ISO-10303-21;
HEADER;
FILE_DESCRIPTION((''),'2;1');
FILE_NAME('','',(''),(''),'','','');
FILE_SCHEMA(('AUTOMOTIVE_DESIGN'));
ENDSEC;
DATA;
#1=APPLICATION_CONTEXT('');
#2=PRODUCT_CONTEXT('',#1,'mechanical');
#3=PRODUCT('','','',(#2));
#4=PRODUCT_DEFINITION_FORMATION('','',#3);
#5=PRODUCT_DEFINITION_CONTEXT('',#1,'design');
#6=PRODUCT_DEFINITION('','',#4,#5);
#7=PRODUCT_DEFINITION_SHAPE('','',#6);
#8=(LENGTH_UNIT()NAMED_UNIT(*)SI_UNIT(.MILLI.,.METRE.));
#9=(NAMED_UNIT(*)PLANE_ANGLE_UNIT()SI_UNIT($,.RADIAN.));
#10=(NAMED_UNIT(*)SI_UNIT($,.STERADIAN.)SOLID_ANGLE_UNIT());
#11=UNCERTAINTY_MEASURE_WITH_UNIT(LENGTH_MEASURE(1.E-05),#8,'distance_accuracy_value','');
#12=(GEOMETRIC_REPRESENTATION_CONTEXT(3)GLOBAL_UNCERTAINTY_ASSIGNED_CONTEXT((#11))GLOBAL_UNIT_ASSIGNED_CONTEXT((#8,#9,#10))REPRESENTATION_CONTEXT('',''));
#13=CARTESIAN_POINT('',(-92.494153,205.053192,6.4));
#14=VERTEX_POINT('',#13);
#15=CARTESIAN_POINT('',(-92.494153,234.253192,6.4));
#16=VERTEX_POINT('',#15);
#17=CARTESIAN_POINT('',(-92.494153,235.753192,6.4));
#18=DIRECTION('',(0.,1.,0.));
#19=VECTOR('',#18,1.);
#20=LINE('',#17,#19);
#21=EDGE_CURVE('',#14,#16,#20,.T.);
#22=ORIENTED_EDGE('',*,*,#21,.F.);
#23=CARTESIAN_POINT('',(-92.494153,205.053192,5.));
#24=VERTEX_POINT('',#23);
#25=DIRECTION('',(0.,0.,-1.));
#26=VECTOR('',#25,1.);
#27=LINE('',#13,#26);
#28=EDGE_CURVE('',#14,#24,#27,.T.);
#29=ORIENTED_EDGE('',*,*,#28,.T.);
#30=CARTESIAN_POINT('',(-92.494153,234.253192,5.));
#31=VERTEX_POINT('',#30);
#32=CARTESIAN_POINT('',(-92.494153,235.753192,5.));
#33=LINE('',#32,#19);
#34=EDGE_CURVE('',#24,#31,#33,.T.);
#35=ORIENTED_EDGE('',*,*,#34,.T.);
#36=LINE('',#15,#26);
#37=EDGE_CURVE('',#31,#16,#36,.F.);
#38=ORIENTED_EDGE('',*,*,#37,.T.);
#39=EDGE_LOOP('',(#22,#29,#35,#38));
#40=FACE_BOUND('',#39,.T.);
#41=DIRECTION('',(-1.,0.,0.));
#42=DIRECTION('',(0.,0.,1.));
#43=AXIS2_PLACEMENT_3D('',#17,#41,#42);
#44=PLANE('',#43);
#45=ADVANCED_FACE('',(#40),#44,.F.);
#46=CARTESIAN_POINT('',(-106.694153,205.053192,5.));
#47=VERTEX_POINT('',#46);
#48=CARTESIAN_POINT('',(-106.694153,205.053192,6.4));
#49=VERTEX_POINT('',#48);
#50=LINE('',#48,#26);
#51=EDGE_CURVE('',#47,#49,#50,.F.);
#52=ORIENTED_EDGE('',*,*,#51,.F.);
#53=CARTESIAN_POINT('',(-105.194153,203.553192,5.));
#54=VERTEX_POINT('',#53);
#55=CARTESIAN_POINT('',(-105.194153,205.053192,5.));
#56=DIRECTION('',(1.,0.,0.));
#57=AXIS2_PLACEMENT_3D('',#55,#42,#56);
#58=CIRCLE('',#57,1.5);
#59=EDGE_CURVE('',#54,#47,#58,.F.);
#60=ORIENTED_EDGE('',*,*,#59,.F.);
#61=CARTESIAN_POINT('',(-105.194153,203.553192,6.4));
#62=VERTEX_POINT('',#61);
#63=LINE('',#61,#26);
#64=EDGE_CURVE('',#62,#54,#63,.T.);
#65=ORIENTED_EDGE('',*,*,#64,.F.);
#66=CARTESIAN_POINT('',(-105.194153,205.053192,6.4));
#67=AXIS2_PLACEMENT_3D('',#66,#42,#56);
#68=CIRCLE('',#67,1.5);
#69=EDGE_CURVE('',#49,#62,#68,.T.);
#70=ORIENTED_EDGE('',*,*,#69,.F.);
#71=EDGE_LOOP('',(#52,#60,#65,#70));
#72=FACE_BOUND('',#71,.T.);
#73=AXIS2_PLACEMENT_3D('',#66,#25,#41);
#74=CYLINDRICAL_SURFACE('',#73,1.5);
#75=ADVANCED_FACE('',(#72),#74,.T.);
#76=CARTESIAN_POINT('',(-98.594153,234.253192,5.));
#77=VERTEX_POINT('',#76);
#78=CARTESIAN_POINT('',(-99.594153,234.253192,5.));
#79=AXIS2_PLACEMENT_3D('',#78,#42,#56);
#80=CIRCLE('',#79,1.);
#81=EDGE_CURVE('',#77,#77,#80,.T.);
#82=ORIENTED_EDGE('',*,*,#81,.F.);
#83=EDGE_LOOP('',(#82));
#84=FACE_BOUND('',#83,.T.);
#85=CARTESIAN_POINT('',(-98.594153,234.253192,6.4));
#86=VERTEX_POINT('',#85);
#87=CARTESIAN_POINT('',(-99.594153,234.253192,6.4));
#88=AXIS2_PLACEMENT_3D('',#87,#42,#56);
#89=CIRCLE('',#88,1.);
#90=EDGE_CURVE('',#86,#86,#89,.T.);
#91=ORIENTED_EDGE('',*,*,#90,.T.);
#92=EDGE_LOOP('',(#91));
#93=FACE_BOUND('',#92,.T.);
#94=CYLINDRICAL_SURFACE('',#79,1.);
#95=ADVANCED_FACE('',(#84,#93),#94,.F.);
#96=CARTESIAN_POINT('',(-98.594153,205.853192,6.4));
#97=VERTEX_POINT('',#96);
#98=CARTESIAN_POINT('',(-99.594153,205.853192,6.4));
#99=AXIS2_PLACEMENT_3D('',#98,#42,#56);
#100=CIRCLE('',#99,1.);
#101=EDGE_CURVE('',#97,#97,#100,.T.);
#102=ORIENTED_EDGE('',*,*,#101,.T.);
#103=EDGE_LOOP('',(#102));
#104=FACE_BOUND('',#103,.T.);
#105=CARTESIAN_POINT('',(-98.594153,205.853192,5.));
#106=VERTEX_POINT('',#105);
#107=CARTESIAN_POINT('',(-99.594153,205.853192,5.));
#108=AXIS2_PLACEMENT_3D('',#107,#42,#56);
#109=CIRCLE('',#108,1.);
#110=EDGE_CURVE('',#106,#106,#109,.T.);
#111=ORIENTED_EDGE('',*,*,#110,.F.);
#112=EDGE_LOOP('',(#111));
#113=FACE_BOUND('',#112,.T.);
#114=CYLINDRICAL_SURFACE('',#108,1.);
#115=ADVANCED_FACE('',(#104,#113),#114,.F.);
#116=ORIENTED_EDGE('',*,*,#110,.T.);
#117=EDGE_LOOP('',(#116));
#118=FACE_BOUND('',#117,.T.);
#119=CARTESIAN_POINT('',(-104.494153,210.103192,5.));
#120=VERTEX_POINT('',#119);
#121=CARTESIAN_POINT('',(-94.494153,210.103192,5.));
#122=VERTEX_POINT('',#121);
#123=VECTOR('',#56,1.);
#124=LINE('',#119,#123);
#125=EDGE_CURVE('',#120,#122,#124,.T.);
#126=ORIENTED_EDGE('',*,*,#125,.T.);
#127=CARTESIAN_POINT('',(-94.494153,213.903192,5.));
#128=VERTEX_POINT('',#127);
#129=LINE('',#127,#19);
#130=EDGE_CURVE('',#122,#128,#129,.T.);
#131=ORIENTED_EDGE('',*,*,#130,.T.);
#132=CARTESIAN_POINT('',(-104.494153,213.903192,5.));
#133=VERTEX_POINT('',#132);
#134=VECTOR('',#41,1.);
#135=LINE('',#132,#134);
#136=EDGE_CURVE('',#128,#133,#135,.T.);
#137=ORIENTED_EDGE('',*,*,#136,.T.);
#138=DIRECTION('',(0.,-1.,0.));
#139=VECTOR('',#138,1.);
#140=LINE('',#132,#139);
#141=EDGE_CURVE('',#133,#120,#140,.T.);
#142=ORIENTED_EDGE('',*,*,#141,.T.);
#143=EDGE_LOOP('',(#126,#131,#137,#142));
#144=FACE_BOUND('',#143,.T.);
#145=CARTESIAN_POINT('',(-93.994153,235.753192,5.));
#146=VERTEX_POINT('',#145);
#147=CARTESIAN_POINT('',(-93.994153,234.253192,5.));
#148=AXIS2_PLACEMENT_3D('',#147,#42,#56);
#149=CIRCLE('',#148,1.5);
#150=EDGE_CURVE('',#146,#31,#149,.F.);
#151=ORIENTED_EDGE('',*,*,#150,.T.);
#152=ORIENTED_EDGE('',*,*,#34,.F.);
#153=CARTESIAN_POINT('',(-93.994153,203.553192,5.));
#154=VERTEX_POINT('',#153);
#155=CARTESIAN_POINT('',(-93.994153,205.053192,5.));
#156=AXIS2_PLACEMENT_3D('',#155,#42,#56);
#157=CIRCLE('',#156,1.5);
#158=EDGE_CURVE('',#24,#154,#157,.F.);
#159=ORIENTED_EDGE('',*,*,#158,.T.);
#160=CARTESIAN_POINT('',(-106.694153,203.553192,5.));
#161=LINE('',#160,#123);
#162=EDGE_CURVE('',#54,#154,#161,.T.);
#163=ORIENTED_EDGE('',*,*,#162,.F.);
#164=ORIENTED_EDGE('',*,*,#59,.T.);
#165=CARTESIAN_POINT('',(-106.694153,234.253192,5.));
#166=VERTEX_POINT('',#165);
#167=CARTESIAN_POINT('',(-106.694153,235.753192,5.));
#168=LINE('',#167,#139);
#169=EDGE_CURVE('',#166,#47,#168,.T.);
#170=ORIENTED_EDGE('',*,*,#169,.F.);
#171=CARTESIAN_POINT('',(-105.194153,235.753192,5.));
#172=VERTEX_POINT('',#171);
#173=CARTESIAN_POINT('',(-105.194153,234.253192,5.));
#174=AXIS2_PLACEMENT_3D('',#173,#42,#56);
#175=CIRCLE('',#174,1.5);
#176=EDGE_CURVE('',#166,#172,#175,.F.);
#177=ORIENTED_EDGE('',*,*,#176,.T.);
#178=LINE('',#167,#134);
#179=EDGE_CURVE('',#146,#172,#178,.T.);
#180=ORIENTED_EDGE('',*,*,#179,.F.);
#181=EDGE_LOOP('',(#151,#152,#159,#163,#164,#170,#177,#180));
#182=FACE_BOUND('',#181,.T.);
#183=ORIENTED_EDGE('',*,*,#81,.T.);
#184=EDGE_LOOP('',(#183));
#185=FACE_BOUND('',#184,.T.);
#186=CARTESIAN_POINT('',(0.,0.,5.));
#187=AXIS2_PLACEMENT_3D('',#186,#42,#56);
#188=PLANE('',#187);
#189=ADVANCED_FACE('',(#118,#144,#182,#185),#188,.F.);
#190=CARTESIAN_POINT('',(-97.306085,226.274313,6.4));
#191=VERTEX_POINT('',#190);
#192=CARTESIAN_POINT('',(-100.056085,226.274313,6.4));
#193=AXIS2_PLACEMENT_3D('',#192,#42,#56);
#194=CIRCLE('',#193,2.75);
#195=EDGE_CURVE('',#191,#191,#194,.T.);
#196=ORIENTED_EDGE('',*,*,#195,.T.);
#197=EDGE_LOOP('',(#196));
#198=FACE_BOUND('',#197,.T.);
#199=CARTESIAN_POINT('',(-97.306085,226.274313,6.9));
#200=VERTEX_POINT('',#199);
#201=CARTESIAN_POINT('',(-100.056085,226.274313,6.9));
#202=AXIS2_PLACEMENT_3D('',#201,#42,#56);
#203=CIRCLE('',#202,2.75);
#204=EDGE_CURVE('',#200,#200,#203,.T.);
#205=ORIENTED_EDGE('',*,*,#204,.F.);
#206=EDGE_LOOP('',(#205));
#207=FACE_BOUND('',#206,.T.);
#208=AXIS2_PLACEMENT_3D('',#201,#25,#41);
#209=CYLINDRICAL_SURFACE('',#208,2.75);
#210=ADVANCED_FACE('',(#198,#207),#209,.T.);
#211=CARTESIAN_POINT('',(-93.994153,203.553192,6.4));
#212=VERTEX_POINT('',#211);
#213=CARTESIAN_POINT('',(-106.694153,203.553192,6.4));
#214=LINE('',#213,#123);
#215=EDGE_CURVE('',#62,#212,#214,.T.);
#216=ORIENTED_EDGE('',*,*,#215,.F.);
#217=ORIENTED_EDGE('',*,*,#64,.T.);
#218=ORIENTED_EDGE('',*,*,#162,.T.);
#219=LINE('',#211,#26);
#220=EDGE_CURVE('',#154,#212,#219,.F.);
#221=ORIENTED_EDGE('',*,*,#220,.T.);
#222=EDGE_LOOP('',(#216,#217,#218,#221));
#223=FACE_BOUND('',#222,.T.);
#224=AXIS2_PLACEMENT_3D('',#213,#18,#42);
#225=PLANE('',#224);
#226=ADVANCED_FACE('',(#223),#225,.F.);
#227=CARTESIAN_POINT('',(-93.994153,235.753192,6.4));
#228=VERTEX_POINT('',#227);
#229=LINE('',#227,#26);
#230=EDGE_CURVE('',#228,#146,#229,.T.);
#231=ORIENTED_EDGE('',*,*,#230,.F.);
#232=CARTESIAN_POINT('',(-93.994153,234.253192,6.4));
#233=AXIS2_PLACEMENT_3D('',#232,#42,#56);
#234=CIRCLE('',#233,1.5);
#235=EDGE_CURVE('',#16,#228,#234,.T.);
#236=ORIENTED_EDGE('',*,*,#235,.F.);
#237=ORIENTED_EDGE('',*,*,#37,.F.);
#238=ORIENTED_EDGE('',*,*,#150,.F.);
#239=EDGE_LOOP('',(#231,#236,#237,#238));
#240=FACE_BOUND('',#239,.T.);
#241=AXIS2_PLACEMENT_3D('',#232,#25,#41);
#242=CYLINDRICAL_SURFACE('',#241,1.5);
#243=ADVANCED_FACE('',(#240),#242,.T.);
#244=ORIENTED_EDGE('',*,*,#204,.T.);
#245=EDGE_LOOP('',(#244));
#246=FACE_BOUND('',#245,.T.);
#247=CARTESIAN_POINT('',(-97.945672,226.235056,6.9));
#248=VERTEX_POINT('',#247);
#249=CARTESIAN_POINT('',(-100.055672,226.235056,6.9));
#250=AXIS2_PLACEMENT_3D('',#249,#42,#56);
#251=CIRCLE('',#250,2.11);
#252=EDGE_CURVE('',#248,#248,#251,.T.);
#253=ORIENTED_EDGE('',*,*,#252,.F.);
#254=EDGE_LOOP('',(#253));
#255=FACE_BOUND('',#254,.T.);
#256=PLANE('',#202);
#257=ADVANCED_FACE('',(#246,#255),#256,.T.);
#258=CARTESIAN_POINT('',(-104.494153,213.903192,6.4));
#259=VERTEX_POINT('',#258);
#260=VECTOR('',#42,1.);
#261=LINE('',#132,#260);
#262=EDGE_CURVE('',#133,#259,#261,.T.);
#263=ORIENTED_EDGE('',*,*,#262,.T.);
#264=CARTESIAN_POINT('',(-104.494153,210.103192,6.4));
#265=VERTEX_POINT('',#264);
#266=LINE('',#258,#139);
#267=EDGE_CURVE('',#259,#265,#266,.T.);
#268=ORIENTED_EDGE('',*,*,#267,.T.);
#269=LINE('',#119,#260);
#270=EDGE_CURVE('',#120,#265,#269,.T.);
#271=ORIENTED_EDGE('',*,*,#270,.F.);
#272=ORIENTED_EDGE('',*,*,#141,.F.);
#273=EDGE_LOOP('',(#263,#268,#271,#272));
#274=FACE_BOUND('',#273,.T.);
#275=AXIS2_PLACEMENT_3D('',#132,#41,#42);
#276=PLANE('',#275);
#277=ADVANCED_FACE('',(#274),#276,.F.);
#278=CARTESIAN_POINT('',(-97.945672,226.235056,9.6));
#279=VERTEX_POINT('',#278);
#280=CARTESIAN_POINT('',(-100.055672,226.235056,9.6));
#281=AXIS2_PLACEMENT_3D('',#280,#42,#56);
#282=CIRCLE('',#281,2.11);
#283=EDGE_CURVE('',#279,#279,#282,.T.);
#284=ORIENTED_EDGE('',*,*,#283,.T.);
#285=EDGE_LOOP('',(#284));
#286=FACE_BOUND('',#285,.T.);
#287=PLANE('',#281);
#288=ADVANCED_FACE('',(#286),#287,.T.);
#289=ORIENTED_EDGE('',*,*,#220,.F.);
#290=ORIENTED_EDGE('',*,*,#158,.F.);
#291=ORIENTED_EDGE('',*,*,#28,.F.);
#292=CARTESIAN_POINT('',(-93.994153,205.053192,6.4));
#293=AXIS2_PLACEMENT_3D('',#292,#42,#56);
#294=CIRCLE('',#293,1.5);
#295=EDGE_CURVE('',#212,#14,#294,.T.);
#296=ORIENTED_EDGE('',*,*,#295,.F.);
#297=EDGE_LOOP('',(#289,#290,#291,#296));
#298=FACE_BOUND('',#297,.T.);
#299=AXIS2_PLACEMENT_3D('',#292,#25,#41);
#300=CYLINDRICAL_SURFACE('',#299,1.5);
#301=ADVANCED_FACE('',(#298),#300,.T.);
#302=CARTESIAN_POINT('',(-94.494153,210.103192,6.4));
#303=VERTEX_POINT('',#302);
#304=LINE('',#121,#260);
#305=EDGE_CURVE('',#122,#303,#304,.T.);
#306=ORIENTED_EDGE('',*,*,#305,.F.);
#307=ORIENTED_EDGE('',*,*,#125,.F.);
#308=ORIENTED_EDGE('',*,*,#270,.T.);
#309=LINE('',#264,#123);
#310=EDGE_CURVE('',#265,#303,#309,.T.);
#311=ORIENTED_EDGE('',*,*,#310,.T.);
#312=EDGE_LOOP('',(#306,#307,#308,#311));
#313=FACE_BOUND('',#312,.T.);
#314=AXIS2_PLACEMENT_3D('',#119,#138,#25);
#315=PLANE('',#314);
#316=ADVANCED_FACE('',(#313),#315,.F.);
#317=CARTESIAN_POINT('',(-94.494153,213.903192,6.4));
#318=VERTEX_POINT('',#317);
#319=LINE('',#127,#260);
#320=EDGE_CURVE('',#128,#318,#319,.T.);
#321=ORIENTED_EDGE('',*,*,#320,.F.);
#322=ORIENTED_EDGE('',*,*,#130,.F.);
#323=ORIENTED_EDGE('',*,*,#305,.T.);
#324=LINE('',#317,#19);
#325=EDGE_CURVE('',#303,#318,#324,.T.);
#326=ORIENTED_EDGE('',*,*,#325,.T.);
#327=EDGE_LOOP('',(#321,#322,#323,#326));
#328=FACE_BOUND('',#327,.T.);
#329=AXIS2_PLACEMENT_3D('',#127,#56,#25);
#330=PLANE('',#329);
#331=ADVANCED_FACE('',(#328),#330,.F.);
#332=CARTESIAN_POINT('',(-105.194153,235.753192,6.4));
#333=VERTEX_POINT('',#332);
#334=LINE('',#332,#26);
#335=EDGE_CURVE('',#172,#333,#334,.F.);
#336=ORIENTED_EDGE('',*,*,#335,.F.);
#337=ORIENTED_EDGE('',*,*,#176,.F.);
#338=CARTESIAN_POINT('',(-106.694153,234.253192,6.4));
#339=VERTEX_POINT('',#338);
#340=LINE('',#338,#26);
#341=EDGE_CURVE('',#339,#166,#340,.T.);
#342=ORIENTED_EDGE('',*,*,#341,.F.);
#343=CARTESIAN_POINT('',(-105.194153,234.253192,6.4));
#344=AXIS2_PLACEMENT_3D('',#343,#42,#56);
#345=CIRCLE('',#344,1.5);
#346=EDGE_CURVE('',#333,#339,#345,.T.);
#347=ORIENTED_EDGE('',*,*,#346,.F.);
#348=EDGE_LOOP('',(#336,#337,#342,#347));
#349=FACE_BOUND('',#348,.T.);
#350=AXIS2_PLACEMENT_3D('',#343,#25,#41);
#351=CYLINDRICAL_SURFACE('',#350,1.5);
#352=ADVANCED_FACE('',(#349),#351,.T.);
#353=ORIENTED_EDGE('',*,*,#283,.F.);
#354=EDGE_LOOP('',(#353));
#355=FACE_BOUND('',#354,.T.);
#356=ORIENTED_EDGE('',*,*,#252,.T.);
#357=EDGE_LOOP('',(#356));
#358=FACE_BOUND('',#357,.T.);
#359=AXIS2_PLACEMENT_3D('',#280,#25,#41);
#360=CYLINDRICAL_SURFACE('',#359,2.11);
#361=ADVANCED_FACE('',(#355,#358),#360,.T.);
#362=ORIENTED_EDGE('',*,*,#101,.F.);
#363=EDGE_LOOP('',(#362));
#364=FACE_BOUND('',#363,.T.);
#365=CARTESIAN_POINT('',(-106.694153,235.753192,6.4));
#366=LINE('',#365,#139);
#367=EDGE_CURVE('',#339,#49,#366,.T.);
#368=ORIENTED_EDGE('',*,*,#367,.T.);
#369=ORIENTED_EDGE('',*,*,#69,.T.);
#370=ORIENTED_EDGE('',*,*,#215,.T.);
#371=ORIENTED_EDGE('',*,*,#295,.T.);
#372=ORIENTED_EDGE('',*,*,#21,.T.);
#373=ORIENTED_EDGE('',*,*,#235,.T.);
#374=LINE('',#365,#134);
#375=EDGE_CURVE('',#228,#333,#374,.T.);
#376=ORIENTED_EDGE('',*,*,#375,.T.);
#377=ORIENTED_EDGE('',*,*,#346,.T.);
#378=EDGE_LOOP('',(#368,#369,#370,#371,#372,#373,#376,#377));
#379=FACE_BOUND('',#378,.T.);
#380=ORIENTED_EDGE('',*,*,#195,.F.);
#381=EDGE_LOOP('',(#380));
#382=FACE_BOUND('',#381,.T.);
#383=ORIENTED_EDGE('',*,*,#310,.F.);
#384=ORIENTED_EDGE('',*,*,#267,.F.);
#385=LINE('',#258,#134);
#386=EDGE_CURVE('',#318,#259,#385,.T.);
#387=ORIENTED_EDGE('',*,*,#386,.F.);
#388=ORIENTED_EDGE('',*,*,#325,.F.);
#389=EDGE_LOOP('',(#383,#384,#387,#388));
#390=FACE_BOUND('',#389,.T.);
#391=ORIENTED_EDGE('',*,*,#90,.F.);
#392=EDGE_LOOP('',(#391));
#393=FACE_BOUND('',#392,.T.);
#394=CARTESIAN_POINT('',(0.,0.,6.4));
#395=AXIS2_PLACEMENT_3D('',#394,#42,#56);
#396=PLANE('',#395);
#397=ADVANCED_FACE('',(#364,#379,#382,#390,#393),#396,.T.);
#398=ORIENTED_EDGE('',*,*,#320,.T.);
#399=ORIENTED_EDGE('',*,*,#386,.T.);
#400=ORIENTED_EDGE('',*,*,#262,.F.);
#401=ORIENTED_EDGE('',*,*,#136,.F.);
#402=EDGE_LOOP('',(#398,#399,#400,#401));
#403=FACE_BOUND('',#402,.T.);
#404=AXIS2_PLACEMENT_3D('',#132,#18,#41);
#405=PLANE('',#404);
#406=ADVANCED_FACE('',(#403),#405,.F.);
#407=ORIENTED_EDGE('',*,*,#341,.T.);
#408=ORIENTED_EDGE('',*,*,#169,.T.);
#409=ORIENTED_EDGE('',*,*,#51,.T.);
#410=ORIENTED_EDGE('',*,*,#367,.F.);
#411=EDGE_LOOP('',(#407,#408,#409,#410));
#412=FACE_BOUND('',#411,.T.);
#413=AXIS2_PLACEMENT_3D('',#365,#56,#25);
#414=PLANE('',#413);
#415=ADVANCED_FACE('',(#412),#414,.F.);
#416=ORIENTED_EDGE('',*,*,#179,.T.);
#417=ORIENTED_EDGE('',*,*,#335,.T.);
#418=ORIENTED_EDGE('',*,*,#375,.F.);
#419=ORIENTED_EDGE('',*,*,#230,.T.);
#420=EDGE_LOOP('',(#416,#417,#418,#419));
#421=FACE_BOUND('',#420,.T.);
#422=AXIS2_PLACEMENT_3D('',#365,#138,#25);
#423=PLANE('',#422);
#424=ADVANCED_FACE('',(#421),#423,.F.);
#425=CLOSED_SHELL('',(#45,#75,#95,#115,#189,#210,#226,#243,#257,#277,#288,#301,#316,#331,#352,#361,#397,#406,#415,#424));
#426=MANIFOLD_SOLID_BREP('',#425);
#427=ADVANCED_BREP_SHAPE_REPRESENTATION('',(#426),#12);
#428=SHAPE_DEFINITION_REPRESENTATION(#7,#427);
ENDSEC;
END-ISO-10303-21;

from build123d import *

# Parameters (mm, degrees)
SKETCH1_W           = 14.2
SKETCH1_H           = 32.2
BOSS_EXTRUDE1_DEPTH = 1.4
SKETCH2_R           = 1
SKETCH2_W           = 10
SKETCH2_H           = 3.8
CUT_EXTRUDE1_DEPTH  = 1.4
SKETCH3_R           = 2.11
BOSS_EXTRUDE2_DEPTH = 3.2
FILLET1_R           = 1.5
SKETCH5_R           = 2.75
BOSS_EXTRUDE3_DEPTH = 0.5


with BuildPart() as part:
    # Sketch1 → Boss-Extrude1 (new body)
    with BuildSketch(Plane.XY.offset(5)):
        with Locations((-99.59415338, 219.653192448)):
            Rectangle(SKETCH1_W, SKETCH1_H)
    extrude(amount=BOSS_EXTRUDE1_DEPTH)

    # Sketch2 → Cut-Extrude1 (cut)
    with BuildSketch(Plane.XY.offset(6.4)):
        with Locations((-99.59415338, 234.253192448)):
            Circle(SKETCH2_R)
        with Locations((-99.59415338, 205.853192448)):
            Circle(SKETCH2_R)
        with Locations((-99.49415338, 212.003192448)):
            Rectangle(SKETCH2_W, SKETCH2_H)
    extrude(amount=-CUT_EXTRUDE1_DEPTH, mode=Mode.SUBTRACT)

    # Sketch3 → Boss-Extrude2 (add)
    with BuildSketch(Plane.XY.offset(6.4)):
        with Locations((-100.055672153, 226.235056066)):
            Circle(SKETCH3_R)
    extrude(amount=BOSS_EXTRUDE2_DEPTH)

    # Fillet1
    fillet1_edges = [part.edges().sort_by_distance(p)[0] for p in [
        (-106.69415338, 235.753192448, 5.7),
        (-92.49415338, 235.753192448, 5.7),
        (-92.49415338, 203.553192448, 5.7),
        (-106.69415338, 203.553192448, 5.7),
    ]]
    fillet(fillet1_edges, radius=FILLET1_R)

    # Sketch5 → Boss-Extrude3 (add)
    with BuildSketch(Plane.XY.offset(6.4)):
        with Locations((-100.056084646, 226.274312916)):
            Circle(SKETCH5_R)
    extrude(amount=BOSS_EXTRUDE3_DEPTH)


solid = part.part
